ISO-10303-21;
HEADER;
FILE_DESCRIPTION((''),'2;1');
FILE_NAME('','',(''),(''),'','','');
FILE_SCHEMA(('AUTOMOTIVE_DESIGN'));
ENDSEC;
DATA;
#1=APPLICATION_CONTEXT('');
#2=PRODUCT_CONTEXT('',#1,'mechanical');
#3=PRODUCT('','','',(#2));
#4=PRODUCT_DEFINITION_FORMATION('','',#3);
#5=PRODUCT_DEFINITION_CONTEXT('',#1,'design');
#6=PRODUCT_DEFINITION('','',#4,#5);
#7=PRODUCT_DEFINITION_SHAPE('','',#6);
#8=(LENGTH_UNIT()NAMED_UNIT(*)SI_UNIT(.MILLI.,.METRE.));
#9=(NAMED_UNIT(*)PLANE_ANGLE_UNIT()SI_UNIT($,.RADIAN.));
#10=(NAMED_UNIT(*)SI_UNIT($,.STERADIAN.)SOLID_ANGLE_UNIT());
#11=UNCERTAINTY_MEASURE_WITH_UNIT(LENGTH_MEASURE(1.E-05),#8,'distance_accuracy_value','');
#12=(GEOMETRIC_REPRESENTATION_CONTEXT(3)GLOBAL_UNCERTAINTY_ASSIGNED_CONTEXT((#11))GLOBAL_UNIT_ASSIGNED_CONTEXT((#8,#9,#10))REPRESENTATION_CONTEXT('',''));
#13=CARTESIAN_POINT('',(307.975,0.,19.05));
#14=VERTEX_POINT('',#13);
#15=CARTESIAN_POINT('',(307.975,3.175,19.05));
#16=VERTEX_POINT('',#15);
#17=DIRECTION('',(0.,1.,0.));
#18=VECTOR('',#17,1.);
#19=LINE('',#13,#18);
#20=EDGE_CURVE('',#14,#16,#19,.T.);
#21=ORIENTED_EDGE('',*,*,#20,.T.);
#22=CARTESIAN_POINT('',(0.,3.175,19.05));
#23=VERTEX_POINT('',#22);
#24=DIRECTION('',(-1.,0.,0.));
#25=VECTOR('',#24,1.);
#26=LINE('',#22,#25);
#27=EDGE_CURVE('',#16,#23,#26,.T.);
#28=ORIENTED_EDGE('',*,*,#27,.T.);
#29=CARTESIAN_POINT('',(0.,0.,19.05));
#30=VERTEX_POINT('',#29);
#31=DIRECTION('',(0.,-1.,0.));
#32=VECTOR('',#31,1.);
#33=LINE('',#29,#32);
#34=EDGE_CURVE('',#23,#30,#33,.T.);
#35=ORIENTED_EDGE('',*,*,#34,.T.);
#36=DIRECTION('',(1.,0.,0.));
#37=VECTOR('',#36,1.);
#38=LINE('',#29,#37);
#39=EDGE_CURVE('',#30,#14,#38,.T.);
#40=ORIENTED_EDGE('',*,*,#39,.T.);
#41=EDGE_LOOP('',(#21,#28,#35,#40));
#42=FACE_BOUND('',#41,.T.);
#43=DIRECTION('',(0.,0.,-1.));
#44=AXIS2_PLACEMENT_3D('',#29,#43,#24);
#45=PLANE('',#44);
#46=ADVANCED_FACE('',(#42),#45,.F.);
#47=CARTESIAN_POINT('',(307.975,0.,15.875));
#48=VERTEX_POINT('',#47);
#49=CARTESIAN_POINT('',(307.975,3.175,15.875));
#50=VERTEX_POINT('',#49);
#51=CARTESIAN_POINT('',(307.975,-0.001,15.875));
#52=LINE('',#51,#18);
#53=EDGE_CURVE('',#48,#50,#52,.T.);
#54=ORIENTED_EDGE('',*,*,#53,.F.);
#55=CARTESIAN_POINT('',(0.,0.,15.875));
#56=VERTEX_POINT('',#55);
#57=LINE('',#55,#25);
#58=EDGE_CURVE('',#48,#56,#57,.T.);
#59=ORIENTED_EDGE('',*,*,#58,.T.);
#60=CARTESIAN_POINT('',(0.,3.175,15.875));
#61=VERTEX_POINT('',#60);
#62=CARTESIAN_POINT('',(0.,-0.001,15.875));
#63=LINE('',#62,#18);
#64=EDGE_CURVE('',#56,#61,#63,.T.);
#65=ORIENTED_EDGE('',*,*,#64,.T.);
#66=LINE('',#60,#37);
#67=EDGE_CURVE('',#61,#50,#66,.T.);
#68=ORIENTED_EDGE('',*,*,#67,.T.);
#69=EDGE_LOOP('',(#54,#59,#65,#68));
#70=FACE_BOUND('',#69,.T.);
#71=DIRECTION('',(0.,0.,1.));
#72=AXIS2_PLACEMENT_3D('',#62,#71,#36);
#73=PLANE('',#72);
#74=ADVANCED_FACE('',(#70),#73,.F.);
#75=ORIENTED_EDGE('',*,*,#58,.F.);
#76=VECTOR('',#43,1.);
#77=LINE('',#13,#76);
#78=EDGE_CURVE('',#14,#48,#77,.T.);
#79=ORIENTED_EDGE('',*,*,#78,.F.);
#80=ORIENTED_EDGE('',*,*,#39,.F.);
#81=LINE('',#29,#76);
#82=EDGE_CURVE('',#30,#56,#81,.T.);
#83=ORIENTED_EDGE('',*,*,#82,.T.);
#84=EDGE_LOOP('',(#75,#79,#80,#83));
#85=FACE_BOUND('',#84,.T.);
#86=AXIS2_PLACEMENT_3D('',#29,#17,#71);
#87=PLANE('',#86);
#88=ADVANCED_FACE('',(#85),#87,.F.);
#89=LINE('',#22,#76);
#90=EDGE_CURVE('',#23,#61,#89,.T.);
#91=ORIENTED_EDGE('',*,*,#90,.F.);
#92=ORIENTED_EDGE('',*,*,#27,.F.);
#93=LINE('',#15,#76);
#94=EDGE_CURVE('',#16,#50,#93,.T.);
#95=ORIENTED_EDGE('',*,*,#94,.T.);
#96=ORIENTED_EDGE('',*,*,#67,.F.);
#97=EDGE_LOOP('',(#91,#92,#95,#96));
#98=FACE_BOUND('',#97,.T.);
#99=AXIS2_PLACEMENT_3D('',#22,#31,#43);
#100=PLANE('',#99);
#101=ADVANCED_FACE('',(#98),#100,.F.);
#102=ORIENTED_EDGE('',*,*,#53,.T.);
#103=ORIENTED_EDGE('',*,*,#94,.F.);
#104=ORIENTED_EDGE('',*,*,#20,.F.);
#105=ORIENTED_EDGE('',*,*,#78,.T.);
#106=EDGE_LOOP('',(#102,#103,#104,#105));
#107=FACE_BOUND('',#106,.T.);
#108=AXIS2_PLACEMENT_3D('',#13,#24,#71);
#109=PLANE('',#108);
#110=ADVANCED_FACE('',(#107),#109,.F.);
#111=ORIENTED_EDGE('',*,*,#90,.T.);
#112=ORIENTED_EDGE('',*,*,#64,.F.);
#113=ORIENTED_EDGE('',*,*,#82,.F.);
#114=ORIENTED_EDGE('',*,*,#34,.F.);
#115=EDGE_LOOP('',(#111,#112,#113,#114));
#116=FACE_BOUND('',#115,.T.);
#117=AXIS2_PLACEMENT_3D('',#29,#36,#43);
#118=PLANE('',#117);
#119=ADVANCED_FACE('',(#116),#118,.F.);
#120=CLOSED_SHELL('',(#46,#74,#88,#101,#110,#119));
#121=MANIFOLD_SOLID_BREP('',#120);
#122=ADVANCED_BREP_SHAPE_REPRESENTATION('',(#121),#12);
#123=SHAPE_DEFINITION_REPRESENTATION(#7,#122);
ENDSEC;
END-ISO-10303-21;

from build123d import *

# Parameters (mm, degrees)
SKETCH1_W           = 307.975
SKETCH1_H           = 3.175
BOSS_EXTRUDE1_DEPTH = 19.05
CUT_EXTRUDE6_REACH  = 310.58
SKETCH8_W           = 307.975
SKETCH8_H           = 15.875


with BuildPart() as part:
    # Sketch1 → Boss-Extrude1 (new body)
    with BuildSketch(Plane.XY):
        with Locations((153.9875, 1.5875)):
            Rectangle(SKETCH1_W, SKETCH1_H)
    extrude(amount=BOSS_EXTRUDE1_DEPTH)

    # Sketch8 → Cut-Extrude6 (cut, up to next)
    with BuildSketch(Plane(origin=(0, 3.175, 0), x_dir=(1, 0, 0), z_dir=(0, 1, 0)), mode=Mode.PRIVATE) as cut_extrude6_sk1:
        with Locations((153.9875, -7.9375)):
            Rectangle(SKETCH8_W, SKETCH8_H)
    cut_extrude6_tool1 = extrude(cut_extrude6_sk1.sketch, amount=-CUT_EXTRUDE6_REACH, mode=Mode.PRIVATE) & part.part
    add(cut_extrude6_tool1.solids().sort_by_distance((153.9875, 3.175, 7.9375))[0], mode=Mode.SUBTRACT)


solid = part.part
